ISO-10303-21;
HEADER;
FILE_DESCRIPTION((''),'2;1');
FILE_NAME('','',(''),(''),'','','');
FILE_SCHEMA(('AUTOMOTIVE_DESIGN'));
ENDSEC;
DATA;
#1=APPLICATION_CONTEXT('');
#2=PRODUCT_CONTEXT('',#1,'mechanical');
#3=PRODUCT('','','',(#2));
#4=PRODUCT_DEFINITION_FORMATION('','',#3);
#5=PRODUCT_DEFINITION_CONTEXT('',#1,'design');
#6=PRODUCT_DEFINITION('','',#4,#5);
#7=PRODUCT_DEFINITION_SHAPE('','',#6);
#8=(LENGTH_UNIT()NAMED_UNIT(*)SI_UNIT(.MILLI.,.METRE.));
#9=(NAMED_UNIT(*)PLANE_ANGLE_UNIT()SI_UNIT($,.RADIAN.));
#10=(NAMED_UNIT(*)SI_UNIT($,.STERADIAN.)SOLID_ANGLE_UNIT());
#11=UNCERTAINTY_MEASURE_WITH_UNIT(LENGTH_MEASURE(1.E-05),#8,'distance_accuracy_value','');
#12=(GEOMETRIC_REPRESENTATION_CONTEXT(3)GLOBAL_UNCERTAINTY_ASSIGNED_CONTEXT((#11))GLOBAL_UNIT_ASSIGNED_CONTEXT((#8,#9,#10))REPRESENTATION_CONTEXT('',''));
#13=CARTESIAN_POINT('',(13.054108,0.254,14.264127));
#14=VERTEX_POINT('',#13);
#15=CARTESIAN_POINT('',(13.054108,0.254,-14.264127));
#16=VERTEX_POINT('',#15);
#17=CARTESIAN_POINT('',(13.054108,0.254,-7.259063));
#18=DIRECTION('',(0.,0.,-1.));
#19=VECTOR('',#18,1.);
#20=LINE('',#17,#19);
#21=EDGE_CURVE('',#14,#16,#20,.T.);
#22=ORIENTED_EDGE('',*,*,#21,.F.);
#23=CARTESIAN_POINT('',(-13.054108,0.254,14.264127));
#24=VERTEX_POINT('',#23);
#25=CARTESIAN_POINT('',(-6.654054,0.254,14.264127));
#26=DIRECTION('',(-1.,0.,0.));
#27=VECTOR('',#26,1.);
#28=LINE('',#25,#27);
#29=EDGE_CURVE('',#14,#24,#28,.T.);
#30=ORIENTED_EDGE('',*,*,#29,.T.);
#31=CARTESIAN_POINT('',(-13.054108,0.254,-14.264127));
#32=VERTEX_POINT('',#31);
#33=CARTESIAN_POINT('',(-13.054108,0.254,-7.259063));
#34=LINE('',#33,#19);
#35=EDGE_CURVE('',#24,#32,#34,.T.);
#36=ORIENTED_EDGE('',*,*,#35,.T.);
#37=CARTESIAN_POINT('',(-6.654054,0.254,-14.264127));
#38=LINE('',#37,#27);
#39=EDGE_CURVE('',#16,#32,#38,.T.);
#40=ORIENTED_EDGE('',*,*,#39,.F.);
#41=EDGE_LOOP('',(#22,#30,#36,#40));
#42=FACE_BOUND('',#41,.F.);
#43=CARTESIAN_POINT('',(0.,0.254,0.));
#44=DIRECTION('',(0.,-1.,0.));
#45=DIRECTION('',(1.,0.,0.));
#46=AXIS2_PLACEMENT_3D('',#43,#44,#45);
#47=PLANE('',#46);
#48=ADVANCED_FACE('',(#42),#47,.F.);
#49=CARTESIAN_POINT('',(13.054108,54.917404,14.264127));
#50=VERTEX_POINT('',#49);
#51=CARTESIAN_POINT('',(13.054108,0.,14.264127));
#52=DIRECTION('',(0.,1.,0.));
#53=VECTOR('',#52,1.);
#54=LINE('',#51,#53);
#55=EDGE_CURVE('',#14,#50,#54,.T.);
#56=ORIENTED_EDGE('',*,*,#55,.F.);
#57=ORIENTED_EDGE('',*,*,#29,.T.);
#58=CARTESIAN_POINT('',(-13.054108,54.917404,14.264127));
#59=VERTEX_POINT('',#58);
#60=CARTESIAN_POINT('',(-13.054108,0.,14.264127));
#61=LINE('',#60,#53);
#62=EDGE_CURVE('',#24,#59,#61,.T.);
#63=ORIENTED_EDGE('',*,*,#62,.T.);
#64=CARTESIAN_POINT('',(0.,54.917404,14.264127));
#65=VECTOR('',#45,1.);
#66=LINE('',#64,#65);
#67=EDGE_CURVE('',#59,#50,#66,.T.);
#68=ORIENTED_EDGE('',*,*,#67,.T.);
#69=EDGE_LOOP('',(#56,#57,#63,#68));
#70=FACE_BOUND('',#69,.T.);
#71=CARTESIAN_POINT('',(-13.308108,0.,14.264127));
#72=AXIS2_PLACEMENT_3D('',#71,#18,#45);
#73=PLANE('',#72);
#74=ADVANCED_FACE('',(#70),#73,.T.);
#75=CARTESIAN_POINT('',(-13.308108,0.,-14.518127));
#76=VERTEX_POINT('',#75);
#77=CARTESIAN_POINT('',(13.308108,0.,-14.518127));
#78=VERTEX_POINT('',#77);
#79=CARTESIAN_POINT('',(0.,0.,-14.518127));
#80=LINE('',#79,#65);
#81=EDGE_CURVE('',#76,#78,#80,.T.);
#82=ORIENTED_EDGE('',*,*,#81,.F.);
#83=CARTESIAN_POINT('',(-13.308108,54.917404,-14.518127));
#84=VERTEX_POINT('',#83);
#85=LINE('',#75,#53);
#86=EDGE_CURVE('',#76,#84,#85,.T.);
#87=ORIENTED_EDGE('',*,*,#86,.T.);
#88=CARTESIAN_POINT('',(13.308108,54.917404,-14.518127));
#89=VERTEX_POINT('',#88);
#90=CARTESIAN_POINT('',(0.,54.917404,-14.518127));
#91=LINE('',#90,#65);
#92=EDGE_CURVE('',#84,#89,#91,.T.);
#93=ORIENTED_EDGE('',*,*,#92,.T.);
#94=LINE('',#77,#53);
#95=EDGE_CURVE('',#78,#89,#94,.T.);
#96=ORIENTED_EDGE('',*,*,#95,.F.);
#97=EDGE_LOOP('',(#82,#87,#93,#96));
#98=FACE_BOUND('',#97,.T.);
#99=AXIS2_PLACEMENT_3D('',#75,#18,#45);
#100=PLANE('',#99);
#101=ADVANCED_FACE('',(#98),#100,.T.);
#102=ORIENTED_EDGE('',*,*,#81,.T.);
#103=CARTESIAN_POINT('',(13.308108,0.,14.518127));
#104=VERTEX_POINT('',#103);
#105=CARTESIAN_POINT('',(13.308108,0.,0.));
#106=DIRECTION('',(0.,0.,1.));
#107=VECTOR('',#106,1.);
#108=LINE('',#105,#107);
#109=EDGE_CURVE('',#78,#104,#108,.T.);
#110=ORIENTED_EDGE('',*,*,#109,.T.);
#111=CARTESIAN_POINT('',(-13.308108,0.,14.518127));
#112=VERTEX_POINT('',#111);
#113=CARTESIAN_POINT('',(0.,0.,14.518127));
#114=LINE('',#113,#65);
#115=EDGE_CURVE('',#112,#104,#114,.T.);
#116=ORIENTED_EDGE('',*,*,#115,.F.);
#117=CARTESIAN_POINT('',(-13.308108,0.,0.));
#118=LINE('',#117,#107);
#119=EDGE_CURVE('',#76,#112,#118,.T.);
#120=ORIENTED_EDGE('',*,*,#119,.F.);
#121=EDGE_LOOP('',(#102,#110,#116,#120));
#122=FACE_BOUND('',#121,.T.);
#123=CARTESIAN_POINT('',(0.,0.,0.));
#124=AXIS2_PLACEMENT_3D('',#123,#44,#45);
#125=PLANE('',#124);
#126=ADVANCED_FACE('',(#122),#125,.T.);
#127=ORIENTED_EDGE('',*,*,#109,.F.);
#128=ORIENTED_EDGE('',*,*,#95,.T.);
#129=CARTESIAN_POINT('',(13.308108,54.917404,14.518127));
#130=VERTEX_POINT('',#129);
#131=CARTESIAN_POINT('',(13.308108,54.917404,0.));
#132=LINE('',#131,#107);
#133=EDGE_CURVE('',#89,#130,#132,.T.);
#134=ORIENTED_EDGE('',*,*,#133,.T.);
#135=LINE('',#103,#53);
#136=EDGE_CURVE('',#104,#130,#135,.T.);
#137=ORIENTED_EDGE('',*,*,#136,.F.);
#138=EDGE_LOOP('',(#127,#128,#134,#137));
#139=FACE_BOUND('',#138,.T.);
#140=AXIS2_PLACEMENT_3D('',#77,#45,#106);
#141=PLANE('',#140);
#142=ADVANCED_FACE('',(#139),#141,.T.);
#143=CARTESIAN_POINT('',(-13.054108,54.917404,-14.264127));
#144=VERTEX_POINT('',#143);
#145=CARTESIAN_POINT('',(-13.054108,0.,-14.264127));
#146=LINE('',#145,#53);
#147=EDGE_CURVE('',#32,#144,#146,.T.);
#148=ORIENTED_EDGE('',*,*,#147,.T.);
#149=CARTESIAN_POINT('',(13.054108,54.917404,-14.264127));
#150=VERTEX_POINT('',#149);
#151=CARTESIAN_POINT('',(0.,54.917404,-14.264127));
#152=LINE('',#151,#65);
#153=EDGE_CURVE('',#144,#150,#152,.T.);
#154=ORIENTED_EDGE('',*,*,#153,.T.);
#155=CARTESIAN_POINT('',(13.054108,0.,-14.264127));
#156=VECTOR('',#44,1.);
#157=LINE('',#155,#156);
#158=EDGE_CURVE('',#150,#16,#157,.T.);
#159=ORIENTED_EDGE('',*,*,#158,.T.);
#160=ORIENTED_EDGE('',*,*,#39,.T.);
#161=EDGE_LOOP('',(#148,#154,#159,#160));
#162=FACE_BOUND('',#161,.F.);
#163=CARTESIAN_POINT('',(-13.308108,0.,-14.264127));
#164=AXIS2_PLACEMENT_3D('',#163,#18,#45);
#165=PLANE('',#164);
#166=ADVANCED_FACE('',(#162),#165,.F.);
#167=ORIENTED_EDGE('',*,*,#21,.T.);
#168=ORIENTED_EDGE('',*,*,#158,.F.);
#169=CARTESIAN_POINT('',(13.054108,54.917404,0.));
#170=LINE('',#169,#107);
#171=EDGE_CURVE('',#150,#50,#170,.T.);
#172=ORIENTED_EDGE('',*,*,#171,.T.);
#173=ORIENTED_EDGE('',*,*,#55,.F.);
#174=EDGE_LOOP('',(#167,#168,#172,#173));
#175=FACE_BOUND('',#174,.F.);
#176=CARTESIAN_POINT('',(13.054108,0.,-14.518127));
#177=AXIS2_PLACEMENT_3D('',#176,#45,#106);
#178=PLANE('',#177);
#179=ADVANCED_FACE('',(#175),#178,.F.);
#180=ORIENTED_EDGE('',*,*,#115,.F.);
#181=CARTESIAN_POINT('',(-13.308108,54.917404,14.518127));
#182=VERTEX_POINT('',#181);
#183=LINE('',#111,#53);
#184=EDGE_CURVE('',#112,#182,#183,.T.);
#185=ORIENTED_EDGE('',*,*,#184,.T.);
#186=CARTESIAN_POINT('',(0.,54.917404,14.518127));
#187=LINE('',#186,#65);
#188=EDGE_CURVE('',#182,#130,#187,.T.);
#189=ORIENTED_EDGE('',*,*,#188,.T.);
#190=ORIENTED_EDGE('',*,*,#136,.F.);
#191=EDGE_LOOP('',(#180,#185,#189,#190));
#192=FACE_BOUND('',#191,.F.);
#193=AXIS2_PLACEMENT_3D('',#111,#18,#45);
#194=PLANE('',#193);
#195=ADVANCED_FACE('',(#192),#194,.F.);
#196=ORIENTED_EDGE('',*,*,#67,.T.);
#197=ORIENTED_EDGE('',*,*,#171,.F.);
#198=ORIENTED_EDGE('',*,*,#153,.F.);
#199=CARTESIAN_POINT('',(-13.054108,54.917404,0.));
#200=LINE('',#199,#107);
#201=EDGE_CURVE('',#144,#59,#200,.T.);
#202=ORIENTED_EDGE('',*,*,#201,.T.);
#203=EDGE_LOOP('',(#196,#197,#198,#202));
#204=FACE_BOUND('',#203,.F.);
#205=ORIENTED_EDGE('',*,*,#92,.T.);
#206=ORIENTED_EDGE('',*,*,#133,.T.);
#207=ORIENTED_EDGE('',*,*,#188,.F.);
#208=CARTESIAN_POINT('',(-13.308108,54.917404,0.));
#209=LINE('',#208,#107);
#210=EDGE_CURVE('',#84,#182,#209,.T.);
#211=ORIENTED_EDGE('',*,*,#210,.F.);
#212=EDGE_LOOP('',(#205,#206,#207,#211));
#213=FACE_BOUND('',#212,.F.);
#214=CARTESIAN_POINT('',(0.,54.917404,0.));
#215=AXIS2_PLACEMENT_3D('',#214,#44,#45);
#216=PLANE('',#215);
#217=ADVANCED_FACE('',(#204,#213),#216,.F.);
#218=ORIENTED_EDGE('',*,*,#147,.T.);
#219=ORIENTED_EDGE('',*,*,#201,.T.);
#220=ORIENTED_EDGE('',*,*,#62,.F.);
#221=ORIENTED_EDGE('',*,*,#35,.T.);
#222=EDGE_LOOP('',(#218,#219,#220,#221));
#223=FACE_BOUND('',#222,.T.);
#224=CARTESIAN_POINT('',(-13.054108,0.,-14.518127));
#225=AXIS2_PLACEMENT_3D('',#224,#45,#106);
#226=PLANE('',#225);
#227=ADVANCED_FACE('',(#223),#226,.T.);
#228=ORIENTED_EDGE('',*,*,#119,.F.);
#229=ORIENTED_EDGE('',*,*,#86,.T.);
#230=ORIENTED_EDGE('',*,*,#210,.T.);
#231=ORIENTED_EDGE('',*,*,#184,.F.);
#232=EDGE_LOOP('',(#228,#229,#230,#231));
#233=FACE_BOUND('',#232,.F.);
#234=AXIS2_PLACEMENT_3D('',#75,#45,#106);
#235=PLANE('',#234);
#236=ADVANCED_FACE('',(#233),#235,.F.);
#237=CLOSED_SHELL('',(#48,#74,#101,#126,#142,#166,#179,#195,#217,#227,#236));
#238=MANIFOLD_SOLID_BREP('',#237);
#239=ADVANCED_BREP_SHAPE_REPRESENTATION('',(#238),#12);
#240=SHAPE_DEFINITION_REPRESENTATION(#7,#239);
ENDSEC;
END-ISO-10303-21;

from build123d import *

# Parameters (mm, degrees)
F0_W     = 26.616216
F0_H     = 29.036254
F1_DEPTH = 54.917404
F2_T     = -0.254


with BuildPart() as f1:
    # F0 (on Front) → F1 (new body)
    with BuildSketch(Plane.XZ):
        Rectangle(F0_W, F0_H)
    extrude(amount=-F1_DEPTH)

    # F2
    f2_openings = [f1.faces().sort_by_distance(p)[0] for p in [
        (0, 54.917404, 0),
    ]]
    offset(amount=F2_T, openings=f2_openings)


solid = f1.part
